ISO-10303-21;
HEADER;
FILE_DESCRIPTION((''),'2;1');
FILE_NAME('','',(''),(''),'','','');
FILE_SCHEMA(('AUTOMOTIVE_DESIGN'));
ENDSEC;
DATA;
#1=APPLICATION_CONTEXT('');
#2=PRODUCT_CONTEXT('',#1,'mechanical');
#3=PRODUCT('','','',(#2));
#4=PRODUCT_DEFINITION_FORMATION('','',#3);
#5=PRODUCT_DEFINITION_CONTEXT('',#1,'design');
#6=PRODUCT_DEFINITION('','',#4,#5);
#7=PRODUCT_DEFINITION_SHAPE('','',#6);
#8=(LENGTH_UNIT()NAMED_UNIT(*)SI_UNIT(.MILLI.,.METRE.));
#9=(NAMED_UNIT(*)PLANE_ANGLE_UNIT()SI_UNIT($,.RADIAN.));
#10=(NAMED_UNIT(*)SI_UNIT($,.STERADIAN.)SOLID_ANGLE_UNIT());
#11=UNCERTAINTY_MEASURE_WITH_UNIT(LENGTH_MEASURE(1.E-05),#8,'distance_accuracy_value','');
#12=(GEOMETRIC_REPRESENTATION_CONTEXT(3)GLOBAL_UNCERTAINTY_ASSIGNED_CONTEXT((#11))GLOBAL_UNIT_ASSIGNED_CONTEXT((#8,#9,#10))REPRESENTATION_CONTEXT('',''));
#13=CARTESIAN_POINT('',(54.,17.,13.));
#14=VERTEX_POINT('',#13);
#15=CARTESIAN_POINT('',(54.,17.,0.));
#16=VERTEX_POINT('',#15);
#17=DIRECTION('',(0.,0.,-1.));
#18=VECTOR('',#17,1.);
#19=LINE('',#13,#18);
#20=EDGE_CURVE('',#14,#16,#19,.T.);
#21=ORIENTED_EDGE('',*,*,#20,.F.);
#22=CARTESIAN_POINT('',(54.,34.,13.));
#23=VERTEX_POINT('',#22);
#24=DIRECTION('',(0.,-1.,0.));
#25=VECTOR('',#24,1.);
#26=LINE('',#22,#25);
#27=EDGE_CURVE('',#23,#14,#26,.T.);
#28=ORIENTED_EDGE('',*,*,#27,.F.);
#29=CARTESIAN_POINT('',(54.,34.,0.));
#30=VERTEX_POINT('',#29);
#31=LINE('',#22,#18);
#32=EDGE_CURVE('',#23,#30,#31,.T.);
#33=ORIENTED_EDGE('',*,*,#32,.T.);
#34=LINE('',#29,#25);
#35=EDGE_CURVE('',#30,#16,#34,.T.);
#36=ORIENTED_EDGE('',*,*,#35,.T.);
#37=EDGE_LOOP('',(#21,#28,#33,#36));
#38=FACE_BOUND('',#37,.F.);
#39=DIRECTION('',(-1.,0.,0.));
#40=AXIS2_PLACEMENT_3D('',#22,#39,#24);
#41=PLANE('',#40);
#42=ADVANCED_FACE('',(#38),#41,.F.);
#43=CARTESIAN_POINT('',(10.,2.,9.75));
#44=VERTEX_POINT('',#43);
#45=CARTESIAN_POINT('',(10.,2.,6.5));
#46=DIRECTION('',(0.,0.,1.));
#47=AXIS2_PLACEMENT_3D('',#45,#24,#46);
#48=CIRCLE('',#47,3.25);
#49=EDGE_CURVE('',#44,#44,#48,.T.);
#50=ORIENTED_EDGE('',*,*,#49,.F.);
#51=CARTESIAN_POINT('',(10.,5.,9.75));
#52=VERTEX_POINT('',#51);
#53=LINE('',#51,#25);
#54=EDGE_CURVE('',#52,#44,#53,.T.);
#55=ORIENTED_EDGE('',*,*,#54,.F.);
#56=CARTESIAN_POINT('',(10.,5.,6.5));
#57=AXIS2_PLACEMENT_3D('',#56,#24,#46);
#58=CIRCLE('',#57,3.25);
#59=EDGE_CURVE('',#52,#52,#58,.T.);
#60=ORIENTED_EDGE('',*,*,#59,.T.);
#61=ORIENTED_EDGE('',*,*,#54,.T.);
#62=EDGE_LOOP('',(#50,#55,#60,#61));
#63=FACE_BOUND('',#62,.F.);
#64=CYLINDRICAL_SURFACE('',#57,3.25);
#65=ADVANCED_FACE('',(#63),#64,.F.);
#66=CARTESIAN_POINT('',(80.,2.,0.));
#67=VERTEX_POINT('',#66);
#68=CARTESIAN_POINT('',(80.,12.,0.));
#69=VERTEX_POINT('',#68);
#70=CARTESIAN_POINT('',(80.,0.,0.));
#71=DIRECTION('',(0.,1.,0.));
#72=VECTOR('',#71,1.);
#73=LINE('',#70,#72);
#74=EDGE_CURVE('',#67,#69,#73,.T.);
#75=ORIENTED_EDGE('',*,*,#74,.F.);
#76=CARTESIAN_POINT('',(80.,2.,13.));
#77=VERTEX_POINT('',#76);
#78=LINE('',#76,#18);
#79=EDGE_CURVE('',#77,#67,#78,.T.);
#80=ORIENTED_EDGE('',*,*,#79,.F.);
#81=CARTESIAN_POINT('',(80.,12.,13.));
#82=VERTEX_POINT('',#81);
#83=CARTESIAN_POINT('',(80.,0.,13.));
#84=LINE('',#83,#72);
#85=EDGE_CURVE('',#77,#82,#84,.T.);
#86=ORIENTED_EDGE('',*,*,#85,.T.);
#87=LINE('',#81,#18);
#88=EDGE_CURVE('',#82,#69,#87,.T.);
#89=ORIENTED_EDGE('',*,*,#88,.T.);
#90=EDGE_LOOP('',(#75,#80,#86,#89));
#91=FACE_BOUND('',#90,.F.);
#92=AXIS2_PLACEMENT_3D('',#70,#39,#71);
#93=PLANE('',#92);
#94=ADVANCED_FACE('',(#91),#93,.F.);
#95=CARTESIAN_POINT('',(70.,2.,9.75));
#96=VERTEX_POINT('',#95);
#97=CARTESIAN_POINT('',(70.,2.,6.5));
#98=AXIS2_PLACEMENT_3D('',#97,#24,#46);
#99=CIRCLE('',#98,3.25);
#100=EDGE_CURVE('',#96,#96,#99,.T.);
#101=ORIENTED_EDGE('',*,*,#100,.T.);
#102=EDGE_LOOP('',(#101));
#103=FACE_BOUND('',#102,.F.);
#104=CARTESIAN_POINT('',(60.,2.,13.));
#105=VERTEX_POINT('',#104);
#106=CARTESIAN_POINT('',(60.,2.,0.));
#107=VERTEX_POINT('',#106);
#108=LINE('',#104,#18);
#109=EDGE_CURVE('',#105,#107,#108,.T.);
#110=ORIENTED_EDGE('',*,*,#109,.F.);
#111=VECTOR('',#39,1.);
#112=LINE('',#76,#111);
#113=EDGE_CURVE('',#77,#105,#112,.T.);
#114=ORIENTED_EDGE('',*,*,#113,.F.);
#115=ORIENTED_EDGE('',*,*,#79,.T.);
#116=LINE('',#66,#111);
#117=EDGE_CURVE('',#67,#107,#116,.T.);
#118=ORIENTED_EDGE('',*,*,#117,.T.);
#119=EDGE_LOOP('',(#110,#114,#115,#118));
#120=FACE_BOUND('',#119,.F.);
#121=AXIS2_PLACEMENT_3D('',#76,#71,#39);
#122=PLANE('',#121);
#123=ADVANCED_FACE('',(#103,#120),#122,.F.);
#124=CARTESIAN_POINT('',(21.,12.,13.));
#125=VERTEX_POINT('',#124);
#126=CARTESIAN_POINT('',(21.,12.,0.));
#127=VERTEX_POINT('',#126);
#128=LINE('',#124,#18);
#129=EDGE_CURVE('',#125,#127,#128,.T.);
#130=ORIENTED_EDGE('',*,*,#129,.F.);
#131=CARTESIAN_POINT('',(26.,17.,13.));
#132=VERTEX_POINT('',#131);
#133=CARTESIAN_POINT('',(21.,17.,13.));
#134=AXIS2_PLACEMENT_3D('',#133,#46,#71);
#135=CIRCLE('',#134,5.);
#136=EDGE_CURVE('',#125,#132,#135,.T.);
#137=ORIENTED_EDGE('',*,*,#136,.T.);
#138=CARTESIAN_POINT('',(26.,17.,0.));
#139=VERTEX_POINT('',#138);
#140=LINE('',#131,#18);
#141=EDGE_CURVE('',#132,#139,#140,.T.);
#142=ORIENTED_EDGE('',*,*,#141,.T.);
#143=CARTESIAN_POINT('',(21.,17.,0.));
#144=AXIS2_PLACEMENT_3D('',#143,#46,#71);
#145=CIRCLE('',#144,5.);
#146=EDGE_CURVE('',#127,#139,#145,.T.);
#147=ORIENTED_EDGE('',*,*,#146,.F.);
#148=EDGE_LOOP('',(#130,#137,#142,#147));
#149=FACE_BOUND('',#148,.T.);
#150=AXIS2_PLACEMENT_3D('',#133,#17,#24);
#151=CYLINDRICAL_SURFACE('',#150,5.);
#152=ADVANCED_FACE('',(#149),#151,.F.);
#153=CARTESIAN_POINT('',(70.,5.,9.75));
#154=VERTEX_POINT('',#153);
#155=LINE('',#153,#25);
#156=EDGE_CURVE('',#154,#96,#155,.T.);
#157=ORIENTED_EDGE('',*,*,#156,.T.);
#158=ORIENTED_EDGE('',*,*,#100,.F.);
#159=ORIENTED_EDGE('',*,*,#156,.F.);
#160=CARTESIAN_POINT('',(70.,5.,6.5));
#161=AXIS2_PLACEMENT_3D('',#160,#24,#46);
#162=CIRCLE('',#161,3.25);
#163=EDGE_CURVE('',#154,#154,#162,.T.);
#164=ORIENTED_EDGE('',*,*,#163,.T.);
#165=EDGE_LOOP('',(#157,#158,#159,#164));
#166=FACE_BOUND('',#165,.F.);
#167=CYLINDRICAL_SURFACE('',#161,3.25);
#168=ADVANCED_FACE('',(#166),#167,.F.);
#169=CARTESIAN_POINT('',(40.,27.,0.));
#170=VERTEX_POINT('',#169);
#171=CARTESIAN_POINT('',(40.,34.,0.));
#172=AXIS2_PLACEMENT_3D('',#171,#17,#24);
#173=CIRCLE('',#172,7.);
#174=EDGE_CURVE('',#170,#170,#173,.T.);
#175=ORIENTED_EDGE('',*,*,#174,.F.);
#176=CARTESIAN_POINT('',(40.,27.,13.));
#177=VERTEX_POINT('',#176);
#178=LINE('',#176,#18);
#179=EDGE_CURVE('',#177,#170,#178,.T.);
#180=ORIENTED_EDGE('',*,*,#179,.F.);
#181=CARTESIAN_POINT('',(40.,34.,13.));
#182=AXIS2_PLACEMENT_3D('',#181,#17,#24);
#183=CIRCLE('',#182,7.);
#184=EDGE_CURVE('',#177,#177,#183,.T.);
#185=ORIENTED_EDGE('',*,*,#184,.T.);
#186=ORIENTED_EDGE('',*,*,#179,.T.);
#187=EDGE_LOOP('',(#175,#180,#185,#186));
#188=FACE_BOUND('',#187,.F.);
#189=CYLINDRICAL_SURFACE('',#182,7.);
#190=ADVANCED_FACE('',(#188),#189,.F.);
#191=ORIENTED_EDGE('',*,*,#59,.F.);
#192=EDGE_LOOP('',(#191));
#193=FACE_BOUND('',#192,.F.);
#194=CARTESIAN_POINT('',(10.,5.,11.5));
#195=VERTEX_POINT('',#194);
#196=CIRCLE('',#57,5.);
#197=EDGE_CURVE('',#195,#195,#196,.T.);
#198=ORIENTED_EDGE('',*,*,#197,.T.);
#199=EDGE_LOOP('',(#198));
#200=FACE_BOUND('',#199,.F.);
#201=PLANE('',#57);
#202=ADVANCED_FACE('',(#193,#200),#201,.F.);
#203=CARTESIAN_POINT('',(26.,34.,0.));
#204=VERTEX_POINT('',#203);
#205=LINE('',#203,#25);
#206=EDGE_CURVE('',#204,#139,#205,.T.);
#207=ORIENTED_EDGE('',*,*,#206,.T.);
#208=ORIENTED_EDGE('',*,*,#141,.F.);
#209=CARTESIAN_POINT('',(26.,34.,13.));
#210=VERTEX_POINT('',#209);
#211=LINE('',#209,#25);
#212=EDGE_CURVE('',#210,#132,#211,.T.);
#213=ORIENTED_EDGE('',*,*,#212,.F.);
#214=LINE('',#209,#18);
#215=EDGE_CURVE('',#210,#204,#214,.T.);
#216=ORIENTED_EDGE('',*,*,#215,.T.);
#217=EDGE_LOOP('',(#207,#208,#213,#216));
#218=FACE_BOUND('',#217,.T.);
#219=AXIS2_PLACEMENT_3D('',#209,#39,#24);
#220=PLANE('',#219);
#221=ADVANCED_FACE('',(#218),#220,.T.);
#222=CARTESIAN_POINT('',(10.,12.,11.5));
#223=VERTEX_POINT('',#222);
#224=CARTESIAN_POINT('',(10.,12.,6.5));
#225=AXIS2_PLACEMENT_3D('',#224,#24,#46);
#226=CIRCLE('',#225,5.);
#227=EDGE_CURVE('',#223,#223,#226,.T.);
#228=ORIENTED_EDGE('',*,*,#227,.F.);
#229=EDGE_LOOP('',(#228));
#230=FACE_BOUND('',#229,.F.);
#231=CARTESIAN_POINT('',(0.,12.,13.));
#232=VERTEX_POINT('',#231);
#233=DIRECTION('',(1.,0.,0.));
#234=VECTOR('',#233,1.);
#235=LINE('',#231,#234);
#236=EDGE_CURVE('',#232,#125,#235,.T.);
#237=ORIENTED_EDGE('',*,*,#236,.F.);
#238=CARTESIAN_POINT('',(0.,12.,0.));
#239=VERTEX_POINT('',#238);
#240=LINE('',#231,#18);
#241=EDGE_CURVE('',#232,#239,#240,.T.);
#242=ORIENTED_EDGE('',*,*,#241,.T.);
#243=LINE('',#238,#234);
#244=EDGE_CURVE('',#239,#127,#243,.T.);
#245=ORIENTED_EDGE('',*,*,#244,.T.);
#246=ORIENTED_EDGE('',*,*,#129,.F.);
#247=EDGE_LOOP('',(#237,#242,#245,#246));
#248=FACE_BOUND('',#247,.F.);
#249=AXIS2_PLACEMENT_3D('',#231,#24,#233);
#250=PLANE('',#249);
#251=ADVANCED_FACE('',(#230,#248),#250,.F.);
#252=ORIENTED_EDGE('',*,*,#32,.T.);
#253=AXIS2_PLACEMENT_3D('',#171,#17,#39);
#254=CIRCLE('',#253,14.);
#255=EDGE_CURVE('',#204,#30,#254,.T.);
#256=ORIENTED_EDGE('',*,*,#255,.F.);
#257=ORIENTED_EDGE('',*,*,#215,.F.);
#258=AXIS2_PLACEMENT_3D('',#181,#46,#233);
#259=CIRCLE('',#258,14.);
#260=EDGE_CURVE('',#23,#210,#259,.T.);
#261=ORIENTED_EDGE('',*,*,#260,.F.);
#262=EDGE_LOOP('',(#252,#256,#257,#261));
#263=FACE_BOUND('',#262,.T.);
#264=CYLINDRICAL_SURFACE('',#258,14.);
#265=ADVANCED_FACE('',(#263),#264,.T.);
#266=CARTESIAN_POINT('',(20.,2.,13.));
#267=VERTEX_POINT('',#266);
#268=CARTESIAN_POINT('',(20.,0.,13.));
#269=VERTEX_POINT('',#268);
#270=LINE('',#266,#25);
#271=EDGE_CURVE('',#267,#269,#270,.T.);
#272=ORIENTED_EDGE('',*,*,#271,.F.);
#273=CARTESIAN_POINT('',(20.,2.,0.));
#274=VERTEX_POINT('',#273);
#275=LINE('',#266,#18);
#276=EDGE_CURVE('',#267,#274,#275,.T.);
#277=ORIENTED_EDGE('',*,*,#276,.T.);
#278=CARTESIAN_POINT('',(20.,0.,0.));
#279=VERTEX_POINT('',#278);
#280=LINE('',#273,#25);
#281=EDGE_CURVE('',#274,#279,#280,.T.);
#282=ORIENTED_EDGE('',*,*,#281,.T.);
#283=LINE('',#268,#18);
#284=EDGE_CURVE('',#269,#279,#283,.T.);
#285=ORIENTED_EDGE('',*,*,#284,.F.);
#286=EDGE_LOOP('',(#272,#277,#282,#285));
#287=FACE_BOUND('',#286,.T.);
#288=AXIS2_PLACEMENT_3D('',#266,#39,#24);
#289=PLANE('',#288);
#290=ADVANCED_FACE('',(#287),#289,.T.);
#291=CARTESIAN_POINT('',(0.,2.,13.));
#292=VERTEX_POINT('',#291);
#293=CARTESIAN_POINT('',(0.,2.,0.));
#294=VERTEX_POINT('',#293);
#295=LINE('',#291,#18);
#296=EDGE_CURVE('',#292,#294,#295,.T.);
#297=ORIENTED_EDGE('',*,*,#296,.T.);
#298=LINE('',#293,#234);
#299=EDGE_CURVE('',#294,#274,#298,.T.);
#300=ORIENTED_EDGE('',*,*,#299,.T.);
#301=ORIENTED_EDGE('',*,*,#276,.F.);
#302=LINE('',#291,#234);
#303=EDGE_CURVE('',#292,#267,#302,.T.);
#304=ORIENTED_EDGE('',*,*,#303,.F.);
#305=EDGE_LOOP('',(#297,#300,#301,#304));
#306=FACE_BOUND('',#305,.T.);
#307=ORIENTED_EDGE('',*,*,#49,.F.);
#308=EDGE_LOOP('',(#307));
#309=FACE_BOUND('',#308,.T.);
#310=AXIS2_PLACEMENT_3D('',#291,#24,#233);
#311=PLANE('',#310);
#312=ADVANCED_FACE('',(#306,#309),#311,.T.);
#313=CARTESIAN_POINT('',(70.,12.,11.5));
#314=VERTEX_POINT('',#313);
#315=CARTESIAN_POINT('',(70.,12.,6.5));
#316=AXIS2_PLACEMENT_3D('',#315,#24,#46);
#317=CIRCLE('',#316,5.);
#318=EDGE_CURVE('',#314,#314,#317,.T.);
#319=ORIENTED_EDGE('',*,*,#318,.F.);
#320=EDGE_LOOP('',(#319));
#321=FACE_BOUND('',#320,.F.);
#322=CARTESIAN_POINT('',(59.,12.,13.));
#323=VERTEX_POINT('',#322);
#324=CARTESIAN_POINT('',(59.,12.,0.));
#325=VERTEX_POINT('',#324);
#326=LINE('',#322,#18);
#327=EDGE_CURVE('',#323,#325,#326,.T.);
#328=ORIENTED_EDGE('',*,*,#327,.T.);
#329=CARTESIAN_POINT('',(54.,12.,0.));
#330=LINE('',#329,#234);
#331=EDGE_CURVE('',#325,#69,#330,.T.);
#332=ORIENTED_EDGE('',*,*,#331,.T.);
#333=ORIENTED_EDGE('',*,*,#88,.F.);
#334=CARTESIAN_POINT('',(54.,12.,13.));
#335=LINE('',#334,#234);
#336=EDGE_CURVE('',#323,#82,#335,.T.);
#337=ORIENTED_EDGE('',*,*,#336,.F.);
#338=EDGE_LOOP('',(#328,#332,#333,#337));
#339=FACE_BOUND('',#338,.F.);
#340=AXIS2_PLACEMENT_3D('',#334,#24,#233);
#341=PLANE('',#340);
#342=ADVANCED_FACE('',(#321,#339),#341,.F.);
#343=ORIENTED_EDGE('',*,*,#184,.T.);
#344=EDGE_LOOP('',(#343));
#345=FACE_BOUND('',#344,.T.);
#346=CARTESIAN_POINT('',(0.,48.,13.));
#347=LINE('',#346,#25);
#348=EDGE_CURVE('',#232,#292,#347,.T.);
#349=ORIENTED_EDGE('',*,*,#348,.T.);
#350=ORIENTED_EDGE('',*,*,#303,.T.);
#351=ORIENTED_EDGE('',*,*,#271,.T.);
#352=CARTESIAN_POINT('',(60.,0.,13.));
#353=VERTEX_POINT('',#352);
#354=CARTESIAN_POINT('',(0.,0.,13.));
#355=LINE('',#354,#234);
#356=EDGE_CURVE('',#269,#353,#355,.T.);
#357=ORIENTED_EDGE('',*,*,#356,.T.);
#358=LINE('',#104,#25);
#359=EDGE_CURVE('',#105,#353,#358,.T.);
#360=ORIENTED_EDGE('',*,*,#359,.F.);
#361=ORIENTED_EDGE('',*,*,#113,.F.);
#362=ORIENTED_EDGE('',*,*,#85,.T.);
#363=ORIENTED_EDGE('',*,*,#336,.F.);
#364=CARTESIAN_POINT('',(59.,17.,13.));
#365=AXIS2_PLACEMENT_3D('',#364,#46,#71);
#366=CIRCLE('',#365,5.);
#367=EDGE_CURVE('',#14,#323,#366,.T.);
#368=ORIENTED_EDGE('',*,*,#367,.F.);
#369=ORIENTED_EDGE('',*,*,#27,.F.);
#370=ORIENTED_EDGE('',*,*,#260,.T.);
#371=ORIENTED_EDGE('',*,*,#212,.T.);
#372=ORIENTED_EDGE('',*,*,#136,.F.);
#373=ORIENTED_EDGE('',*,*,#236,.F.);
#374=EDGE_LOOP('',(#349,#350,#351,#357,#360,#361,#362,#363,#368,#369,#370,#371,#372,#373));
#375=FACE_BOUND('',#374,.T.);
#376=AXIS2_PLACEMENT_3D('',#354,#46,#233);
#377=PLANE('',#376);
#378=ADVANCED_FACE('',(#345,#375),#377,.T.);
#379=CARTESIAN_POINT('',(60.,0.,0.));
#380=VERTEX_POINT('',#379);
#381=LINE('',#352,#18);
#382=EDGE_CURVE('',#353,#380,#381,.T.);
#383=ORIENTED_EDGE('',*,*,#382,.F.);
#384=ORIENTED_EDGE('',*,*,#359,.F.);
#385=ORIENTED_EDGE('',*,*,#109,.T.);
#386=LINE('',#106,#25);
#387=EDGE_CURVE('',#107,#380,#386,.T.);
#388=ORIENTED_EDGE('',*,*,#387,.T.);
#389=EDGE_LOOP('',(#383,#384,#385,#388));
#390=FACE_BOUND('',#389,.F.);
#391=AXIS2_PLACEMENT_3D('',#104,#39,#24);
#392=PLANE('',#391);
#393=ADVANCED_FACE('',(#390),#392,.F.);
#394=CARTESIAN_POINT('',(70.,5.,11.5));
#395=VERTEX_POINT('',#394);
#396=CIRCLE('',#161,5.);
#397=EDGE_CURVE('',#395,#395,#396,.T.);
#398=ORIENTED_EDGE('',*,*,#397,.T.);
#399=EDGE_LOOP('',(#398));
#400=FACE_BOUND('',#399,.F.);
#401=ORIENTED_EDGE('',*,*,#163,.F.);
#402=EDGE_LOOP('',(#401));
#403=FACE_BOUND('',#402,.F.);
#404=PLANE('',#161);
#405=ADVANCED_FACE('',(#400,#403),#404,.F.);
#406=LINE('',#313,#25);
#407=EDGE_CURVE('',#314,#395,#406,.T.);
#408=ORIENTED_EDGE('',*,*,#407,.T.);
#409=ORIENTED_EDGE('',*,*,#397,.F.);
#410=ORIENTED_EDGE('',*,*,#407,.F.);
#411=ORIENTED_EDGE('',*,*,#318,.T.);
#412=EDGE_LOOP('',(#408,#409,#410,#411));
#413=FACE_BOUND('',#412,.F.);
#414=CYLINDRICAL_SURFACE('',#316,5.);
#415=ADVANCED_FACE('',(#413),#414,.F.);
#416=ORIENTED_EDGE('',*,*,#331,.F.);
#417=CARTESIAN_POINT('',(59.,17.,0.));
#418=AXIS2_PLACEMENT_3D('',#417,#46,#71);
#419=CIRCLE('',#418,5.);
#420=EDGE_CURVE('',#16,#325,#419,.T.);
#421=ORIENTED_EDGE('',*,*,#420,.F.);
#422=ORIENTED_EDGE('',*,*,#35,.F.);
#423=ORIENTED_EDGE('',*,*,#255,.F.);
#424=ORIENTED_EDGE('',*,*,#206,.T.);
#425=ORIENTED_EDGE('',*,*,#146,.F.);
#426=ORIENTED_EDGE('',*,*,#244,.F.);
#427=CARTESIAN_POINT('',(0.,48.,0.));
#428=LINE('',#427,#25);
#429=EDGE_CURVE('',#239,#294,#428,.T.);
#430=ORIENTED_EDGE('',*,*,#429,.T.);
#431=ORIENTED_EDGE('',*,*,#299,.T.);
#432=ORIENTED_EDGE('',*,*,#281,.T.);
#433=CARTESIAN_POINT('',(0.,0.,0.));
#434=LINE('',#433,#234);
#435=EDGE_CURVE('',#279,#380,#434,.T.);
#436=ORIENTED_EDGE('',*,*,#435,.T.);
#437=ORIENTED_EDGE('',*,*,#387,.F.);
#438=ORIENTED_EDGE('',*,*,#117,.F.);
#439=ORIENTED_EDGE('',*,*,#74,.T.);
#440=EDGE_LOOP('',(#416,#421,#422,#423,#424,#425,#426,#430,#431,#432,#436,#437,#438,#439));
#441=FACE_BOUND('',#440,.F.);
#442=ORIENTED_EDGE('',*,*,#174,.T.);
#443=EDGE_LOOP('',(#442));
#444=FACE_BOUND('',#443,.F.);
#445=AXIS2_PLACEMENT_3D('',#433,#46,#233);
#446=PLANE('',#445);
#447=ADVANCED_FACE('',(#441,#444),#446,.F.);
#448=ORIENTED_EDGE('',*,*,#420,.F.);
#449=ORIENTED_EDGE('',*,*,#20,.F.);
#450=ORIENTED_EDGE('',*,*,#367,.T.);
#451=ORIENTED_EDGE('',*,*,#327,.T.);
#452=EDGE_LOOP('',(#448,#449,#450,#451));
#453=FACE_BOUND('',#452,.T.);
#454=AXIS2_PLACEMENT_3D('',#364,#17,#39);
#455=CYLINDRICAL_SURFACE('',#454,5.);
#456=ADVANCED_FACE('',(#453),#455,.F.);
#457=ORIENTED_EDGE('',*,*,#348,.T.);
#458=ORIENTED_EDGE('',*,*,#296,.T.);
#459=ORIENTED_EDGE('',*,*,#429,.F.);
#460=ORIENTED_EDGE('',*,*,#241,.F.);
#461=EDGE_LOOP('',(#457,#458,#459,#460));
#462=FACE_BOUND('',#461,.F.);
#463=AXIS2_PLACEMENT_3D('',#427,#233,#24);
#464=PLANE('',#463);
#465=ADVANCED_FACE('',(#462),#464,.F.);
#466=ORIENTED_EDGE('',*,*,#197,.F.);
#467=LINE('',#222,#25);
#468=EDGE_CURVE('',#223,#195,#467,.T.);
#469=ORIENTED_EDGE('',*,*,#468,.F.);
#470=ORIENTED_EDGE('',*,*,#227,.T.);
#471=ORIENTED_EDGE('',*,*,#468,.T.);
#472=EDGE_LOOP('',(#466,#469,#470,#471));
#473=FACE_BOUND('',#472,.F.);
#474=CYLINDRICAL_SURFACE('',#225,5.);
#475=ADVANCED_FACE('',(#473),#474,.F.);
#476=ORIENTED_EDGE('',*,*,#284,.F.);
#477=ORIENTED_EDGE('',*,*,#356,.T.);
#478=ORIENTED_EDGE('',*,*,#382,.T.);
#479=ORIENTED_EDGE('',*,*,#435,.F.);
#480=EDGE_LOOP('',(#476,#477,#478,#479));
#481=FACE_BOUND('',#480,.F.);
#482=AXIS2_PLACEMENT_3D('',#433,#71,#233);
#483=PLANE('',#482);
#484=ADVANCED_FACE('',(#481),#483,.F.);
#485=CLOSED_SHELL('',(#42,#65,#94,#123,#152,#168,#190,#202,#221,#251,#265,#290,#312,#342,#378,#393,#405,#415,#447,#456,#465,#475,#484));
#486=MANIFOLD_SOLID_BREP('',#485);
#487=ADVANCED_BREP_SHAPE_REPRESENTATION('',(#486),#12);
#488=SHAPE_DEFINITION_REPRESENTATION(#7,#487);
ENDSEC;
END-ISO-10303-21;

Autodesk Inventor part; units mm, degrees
ref_plane "YZ Plane" through (0, 0, 0) normal (1, 0, 0) x (0, 1, 0)
ref_plane "XZ Plane" through (0, 0, 0) normal (0, 1, 0) x (-1, 0, 0)
ref_plane "XY Plane" through (0, 0, 0) normal (0, 0, 1) x (1, 0, 0)
sketch "Sketch1" plane through (0, 0, 0) normal (0, 0, 1) x (1, 0, 0)
  line L0 (0, 0) -> (80, 0)
  line L1 (80, 0) -> (80, 48)
  line L2 (80, 48) -> (0, 48)
  line L3 (0, 48) -> (0, 0)
  dimension "d0" = 80
  dimension "d1" = 48
extrude "Extrusion1" add sketch "Sketch1" along normal blind 13
sketch "Sketch2" plane through (0, 0, 13) normal (0, 0, 1) x (1, 0, 0)
  line L0 (80, 0) -> (0, 0) projected
  line L1 (80, 48) -> (80, 0) projected
  point P0 (40, 34)
  dimension "d4" = 34
  dimension "d5" = 40
hole "Hole1" at (40, 34, 13) direction (0, 0, -1) diameter 14 depth 13 tip angle 118
sketch "Sketch3" plane through (0, 0, 13) normal (0, 0, 1) x (1, 0, 0)
  circle A0 centre (40, 34) radius 7 projected
  line L0 (0, 0) -> (0, 48) projected
  line L1 (80, 0) -> (0, 0) projected
  line L2 (80, 48) -> (80, 0) projected
  line L3 (0, 48) -> (80, 48) projected
  arc A1 (54, 34) -> (26, 34) centre (40, 34) ccw
  line L4 (54, 34) -> (54, 12)
  line L5 (26, 34) -> (26, 12)
  line L6 (0, 12) -> (26, 12)
  line L7 (54, 12) -> (80, 12)
  dimension "d14" = 12
  dimension "d15" = 12
  dimension "d16" = 26
extrude "Extrusion2" cut sketch "Sketch3" against normal blind 13 contours L0 L3 A1 L5 L6 | L7 L4 A1 L3 L2
sketch "Sketch4" plane through (0, 0, 13) normal (0, 0, 1) x (1, 0, 0)
  line L0 (0, 0) -> (0, 12) projected
  line L1 (80, 0) -> (0, 0) projected
  line L2 (80, 12) -> (80, 0) projected
  line L3 (0, 2) -> (20, 2)
  line L4 (20, 2) -> (20, 0)
  line L5 (20, 0) -> (0, 0)
  line L6 (0, 0) -> (0, 2)
  line L7 (60, 0) -> (80, 0)
  line L8 (80, 0) -> (80, 2)
  line L9 (80, 2) -> (60, 2)
  line L10 (60, 2) -> (60, 0)
  dimension "d19" = 2
  dimension "d20" = 2
  dimension "d21" = 20
  dimension "d22" = 20
extrude "Extrusion3" cut sketch "Sketch4" against normal blind 13
sketch "Sketch5" plane through (0, 12, 13) normal (0, 1, 0) x (1, 0, 0)
  line L0 (0, 0) -> (0, 13) projected
  line L1 (26, 0) -> (0, 0) projected
  line L2 (54, 13) -> (80, 13) projected
  line L3 (54, 0) -> (54, 13) projected
  line L4 (80, 0) -> (54, 0) projected
  line L5 (80, 13) -> (80, 0) projected
  point P0 (10, 6.5)
  point P1 (70, 6.5)
  dimension "d25" = 60
  dimension "d26" = 10
  dimension "d27" = 6.5
hole "Hole2" at (10, 12, 6.5) at (70, 12, 6.5) direction (0, -1, 0) diameter 6.5 depth 10 tip angle 118 counterbore diameter 10 counterbore depth 7
fillet "Fillet1" radius 5 2 edges at (54, 12, 6.5) (26, 12, 6.5)
properties part number "MANCAL DA BETONEIRA(26)" material "Carbon Steel"
